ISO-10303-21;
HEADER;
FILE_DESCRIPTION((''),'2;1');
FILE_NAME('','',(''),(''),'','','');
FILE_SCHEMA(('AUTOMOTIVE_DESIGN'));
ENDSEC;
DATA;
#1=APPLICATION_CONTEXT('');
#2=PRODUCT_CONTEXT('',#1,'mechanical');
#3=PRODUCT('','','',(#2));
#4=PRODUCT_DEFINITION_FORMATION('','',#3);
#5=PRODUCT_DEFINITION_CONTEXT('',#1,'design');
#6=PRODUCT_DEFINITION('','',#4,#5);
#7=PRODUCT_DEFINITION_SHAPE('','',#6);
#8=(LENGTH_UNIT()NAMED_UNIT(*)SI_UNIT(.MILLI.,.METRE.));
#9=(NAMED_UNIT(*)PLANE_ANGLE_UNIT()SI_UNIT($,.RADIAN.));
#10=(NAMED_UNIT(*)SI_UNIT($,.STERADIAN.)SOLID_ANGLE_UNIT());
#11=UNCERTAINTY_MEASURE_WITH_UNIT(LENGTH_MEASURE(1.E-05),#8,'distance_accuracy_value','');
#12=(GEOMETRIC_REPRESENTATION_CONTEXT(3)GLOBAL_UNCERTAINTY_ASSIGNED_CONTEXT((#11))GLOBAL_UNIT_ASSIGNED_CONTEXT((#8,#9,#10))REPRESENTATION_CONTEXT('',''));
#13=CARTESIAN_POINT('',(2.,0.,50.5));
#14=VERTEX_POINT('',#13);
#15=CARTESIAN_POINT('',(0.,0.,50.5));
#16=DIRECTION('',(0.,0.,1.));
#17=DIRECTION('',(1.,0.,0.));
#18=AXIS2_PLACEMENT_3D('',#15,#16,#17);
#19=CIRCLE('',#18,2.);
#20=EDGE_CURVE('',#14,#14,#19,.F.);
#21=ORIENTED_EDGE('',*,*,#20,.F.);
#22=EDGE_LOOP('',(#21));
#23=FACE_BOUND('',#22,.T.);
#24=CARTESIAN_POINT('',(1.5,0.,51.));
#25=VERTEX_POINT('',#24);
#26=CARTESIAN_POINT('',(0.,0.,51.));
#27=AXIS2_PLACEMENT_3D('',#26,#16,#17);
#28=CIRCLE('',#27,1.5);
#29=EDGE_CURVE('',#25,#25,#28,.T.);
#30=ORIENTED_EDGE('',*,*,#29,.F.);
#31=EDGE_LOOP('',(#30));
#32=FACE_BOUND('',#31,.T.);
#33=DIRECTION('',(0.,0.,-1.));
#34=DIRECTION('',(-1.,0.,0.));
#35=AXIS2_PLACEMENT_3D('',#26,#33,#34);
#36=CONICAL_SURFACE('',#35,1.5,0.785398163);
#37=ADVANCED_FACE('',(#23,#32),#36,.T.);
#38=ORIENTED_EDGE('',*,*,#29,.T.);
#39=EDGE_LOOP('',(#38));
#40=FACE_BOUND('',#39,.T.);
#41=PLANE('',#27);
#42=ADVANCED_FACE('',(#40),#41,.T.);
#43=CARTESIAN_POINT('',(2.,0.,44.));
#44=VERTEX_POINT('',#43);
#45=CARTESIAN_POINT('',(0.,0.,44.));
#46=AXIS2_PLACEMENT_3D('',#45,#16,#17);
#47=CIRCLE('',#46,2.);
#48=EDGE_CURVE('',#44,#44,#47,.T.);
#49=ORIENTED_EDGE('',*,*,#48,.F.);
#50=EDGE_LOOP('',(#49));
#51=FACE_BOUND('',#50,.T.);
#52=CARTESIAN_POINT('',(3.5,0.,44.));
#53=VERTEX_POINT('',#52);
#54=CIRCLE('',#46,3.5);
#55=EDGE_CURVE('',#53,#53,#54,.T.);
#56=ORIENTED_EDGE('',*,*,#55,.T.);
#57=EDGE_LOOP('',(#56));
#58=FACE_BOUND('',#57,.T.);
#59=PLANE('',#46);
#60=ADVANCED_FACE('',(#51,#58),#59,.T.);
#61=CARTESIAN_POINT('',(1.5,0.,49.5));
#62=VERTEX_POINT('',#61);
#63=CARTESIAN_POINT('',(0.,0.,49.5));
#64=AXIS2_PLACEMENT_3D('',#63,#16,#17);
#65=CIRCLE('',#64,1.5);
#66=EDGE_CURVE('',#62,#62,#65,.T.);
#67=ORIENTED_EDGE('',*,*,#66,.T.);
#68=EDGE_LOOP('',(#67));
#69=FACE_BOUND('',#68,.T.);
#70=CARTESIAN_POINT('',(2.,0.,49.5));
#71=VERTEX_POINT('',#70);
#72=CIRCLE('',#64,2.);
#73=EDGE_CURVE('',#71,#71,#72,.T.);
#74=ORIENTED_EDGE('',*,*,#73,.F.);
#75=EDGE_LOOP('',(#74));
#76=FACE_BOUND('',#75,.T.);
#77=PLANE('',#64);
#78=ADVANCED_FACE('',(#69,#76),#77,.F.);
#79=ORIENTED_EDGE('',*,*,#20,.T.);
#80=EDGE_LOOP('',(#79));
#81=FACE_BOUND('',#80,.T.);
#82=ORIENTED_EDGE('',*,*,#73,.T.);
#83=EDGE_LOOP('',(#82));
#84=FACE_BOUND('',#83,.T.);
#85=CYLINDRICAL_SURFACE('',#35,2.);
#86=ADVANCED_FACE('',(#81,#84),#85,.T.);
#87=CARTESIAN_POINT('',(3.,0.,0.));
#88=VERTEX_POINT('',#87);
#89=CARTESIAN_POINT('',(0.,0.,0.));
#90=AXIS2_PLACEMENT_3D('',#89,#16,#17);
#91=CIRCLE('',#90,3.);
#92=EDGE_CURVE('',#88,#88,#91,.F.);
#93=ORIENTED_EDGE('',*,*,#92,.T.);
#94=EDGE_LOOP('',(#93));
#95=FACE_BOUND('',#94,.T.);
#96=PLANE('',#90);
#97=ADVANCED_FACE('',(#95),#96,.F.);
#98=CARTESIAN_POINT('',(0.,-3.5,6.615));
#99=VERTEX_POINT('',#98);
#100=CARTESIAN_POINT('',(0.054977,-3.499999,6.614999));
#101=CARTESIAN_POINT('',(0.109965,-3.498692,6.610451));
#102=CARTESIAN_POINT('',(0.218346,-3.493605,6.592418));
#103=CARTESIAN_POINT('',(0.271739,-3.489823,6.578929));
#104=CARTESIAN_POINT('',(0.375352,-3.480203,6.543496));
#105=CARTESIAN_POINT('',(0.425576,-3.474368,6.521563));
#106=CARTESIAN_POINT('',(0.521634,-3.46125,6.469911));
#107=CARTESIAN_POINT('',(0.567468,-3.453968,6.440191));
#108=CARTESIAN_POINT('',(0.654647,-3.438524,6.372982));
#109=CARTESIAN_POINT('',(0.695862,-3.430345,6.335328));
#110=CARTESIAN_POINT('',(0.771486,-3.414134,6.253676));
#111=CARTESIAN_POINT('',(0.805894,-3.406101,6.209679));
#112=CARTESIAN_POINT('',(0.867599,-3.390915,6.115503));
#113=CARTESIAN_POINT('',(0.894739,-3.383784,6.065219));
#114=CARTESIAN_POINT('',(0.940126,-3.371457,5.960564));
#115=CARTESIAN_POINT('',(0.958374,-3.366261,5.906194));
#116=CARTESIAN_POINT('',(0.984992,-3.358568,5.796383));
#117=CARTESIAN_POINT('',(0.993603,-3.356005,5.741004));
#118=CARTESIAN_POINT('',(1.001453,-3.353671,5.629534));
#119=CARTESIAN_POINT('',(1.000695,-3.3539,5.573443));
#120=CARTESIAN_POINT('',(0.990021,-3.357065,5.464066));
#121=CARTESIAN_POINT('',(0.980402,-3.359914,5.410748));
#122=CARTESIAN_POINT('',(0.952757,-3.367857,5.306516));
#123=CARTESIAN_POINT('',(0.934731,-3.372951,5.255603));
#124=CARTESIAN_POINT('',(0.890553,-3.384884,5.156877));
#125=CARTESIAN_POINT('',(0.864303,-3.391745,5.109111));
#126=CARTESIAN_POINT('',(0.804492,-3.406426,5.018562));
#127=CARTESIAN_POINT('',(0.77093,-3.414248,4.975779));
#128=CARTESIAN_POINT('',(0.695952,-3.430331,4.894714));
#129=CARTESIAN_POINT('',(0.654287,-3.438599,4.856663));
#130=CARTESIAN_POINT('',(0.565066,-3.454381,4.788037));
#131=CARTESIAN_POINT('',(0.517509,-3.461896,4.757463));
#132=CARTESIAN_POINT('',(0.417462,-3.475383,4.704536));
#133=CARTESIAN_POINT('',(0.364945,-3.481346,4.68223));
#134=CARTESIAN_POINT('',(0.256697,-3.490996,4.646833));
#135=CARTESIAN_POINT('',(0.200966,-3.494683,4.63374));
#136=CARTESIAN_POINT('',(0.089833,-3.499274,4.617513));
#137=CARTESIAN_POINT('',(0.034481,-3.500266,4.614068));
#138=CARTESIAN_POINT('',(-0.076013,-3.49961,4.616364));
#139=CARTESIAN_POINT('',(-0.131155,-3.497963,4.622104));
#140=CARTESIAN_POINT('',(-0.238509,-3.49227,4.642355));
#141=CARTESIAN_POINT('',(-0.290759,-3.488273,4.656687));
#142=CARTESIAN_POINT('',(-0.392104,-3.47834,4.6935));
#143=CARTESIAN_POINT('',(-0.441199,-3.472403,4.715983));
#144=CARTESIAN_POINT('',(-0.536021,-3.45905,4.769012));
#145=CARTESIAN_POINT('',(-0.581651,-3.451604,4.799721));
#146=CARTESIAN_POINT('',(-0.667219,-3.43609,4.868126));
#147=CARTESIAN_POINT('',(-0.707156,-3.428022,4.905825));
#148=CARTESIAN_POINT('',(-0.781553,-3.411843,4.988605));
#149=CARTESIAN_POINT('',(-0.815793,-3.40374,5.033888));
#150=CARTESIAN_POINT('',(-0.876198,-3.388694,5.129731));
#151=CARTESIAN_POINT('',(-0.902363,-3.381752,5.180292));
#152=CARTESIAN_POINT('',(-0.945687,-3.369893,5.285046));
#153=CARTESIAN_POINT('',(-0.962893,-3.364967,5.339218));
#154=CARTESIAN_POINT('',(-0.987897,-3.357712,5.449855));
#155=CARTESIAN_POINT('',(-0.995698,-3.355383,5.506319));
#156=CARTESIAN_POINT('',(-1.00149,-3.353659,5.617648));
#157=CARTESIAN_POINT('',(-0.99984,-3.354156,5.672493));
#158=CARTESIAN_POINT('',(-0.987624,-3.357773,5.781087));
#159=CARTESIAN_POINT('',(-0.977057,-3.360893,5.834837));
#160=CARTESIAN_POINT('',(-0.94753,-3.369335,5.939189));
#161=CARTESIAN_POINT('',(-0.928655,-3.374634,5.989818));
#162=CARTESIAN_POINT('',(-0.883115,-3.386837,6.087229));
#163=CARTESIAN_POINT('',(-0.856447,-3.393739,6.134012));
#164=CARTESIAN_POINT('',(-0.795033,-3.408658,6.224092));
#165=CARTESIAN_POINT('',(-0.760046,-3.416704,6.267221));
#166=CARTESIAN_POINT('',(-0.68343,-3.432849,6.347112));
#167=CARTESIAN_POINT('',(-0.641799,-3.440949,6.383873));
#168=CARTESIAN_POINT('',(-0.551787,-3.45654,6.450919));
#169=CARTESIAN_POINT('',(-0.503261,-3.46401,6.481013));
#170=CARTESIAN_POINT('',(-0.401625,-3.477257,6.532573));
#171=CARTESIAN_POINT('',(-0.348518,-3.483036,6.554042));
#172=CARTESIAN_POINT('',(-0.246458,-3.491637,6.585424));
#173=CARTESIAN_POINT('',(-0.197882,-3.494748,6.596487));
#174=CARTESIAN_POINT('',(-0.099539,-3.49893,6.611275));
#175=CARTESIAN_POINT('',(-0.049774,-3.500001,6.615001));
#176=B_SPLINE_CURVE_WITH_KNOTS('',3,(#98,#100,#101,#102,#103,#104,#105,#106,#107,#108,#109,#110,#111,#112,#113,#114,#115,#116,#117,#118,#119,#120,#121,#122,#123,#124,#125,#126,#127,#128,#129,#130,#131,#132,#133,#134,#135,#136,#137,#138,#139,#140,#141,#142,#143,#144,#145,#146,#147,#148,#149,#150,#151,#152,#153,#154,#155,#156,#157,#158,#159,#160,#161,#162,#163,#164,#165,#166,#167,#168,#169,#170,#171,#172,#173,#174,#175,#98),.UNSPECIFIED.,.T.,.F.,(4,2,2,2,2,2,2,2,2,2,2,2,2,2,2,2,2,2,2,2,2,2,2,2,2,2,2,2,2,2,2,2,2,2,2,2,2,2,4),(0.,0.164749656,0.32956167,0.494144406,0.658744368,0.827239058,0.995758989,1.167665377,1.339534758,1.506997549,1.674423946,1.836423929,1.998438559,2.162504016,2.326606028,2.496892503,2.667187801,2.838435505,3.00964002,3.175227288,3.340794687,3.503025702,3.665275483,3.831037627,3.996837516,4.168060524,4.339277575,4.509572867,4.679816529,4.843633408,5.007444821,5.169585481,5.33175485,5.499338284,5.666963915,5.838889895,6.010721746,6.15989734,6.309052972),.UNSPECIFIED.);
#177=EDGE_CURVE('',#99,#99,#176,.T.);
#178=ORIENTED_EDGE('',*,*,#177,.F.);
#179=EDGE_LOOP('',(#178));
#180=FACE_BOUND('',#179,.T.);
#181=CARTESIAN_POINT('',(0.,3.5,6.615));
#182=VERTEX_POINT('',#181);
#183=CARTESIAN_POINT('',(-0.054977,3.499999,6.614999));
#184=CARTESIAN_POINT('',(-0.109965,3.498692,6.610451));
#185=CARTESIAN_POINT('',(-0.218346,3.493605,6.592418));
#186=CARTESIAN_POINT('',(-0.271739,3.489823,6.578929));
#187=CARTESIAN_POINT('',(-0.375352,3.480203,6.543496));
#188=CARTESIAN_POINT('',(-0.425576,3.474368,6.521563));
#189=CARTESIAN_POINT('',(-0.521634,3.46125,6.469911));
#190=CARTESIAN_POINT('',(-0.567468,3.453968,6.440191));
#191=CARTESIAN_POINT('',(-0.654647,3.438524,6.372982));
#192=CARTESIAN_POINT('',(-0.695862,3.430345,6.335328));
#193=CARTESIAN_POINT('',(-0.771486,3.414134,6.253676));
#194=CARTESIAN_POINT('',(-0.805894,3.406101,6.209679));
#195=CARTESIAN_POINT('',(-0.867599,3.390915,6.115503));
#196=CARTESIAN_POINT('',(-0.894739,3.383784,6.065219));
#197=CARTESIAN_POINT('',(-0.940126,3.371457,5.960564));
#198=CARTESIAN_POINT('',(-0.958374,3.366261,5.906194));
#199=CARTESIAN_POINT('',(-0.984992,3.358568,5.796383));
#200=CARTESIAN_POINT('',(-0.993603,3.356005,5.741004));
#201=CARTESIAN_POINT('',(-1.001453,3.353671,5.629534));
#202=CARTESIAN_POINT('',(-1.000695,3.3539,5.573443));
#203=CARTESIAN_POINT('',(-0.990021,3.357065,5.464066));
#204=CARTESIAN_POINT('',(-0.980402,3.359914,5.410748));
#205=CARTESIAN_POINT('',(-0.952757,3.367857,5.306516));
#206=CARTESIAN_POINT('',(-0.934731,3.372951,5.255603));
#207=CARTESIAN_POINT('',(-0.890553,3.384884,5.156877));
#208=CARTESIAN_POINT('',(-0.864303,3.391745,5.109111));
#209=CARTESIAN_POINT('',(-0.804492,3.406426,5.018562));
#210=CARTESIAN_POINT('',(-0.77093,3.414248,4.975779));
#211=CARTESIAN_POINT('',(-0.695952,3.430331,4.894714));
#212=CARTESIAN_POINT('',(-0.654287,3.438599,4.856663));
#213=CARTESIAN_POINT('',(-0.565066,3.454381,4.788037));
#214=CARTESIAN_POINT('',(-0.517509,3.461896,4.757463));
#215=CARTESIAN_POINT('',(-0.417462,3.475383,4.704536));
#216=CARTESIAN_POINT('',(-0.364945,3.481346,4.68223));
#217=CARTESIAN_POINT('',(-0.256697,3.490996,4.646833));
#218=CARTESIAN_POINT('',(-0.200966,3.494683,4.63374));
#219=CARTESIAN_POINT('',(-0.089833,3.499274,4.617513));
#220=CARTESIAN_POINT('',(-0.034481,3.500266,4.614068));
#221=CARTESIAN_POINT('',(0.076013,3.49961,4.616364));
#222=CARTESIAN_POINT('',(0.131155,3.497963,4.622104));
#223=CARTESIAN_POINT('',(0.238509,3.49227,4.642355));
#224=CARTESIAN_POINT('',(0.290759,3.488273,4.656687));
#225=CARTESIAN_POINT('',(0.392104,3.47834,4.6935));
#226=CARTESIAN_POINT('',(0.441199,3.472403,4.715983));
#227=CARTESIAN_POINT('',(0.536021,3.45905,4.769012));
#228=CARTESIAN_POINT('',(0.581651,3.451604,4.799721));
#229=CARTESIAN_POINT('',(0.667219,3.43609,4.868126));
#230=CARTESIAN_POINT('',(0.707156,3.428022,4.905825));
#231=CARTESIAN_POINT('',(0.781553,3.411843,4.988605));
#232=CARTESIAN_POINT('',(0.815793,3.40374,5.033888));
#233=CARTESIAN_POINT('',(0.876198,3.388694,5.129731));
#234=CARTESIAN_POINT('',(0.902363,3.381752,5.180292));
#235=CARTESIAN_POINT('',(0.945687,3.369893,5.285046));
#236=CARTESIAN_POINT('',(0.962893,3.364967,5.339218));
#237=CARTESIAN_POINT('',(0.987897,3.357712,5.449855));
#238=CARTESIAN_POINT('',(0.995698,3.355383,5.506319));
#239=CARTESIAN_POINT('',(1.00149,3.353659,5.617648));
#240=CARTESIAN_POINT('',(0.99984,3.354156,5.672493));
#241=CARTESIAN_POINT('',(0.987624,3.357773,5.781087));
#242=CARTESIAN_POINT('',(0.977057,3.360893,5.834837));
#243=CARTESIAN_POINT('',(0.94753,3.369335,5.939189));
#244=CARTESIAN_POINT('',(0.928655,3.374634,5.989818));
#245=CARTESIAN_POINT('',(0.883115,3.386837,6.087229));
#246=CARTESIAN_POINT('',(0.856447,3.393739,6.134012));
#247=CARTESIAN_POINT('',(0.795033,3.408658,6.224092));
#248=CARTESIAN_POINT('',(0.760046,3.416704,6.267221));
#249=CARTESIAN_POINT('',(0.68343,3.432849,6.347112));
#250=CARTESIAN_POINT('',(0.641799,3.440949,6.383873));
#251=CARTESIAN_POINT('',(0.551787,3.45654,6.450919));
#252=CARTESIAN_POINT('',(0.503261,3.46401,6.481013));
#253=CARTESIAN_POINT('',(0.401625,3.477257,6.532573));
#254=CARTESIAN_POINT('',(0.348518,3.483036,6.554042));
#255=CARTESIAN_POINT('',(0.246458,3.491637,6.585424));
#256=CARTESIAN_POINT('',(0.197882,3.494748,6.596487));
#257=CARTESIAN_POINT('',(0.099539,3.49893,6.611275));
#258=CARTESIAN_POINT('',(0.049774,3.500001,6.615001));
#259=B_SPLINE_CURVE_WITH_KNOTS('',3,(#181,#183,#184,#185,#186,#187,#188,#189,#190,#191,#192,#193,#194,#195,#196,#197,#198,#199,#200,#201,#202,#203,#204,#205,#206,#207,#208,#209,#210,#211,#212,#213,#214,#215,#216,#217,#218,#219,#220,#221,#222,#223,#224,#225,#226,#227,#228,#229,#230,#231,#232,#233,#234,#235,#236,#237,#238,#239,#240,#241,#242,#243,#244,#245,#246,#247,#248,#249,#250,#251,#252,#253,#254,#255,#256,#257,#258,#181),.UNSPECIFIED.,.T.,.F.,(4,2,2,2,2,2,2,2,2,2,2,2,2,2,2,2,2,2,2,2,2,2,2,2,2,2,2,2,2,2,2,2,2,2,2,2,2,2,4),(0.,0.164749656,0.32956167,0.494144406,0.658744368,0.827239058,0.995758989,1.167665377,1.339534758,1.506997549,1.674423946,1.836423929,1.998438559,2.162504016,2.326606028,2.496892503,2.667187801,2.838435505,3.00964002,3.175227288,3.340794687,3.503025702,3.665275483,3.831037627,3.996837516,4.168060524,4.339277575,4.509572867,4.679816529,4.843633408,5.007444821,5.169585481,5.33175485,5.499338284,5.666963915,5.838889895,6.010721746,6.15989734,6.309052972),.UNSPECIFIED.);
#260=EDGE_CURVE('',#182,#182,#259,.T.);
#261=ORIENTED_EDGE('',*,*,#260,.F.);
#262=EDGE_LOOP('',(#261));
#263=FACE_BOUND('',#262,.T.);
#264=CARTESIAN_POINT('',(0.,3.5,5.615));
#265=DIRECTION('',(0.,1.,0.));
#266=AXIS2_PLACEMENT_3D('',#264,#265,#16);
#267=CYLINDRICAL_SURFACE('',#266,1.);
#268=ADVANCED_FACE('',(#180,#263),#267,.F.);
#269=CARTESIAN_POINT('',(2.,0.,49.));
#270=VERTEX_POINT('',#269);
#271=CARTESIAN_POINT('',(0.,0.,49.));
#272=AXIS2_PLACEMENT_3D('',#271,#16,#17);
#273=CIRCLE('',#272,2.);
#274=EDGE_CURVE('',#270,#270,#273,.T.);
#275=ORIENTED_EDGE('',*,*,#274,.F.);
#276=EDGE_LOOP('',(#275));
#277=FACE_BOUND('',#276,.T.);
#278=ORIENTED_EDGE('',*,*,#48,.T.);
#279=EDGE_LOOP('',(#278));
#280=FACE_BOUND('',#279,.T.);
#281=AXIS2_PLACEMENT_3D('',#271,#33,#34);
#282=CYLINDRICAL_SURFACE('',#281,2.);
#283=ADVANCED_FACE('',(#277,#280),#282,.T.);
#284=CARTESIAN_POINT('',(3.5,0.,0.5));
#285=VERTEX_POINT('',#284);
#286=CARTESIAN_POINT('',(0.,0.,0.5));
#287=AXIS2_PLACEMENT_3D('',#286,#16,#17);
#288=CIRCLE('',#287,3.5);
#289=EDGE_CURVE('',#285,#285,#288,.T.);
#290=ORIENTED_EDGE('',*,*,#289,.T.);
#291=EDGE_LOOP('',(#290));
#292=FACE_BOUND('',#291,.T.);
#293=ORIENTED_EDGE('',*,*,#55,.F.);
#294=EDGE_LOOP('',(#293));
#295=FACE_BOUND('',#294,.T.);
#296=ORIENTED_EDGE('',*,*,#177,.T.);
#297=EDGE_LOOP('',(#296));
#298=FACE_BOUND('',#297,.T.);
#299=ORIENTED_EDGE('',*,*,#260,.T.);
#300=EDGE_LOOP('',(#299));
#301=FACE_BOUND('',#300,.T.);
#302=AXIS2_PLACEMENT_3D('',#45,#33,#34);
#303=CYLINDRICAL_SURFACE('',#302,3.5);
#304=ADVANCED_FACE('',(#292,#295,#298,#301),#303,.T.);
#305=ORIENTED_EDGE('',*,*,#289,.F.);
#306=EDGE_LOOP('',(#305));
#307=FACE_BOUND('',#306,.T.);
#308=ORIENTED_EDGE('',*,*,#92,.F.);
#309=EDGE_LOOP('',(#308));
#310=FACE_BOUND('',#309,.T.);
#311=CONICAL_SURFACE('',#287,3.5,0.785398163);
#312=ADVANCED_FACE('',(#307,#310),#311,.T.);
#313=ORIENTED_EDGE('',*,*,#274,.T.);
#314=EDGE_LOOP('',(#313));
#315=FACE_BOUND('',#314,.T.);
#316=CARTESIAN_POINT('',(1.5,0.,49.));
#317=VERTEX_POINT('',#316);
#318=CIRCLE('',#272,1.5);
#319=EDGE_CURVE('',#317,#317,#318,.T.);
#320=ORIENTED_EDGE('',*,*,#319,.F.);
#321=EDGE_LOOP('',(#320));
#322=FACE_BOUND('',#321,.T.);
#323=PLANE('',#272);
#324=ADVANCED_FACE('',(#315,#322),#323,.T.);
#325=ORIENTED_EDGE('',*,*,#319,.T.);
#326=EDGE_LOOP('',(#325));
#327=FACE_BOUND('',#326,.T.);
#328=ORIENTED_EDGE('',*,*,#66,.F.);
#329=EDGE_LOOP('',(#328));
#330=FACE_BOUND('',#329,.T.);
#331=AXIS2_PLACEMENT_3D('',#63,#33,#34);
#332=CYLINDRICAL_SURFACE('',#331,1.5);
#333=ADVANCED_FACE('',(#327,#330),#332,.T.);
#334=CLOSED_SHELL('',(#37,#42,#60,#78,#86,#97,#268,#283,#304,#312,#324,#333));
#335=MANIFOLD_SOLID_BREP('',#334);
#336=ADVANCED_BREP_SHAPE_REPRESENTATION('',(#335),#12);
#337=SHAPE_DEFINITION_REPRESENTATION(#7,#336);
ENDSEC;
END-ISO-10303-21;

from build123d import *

# Parameters (mm, degrees)
ESQUISSE1_R                   = 3.5
BOSS_EXTRU_1_DEPTH            = 44
ESQUISSE2_R                   = 2
BOSS_EXTRU_2_DEPTH            = 5
ESQUISSE3_R                   = 1.5
BOSS_EXTRU_3_DEPTH            = 0.5
ESQUISSE4_R                   = 2
BOSS_EXTRU_4_DEPTH            = 1.5
CHANFREIN1_SIZE               = 0.5
CHANFREIN2_SIZE               = 0.5
DIAM_TRE_DU_PER_AGE_2_0_2_3_D = 2


with BuildPart() as part:
    # Esquisse1 → Boss.-Extru.1 (new body)
    with BuildSketch(Plane.XY):
        Circle(ESQUISSE1_R)
    extrude(amount=BOSS_EXTRU_1_DEPTH)

    # Esquisse2 → Boss.-Extru.2 (add)
    with BuildSketch(Plane.XY.offset(44)):
        Circle(ESQUISSE2_R)
    extrude(amount=BOSS_EXTRU_2_DEPTH)

    # Esquisse3 → Boss.-Extru.3 (add)
    with BuildSketch(Plane.XY.offset(49)):
        Circle(ESQUISSE3_R)
    extrude(amount=BOSS_EXTRU_3_DEPTH)

    # Esquisse4 → Boss.-Extru.4 (add)
    with BuildSketch(Plane.XY.offset(49.5)):
        Circle(ESQUISSE4_R)
    extrude(amount=BOSS_EXTRU_4_DEPTH)

    # Chanfrein1
    chanfrein1_edges = [part.edges().sort_by_distance(p)[0] for p in [
        (-2, 0, 51),
    ]]
    chamfer(chanfrein1_edges, length=CHANFREIN1_SIZE)

    # Chanfrein2
    chanfrein2_edges = [part.edges().sort_by_distance(p)[0] for p in [
        (-3.5, 0, 0),
    ]]
    chamfer(chanfrein2_edges, length=CHANFREIN2_SIZE)

    # Diamètre du perçage Ø2.0 (2)3 (through all)
    with Locations(Plane(origin=(0, 3.5, 5.615), x_dir=(1, 0, 0), z_dir=(0, 1, 0))):
        with Locations((0, 0)):
            Hole(DIAM_TRE_DU_PER_AGE_2_0_2_3_D / 2)


solid = part.part
